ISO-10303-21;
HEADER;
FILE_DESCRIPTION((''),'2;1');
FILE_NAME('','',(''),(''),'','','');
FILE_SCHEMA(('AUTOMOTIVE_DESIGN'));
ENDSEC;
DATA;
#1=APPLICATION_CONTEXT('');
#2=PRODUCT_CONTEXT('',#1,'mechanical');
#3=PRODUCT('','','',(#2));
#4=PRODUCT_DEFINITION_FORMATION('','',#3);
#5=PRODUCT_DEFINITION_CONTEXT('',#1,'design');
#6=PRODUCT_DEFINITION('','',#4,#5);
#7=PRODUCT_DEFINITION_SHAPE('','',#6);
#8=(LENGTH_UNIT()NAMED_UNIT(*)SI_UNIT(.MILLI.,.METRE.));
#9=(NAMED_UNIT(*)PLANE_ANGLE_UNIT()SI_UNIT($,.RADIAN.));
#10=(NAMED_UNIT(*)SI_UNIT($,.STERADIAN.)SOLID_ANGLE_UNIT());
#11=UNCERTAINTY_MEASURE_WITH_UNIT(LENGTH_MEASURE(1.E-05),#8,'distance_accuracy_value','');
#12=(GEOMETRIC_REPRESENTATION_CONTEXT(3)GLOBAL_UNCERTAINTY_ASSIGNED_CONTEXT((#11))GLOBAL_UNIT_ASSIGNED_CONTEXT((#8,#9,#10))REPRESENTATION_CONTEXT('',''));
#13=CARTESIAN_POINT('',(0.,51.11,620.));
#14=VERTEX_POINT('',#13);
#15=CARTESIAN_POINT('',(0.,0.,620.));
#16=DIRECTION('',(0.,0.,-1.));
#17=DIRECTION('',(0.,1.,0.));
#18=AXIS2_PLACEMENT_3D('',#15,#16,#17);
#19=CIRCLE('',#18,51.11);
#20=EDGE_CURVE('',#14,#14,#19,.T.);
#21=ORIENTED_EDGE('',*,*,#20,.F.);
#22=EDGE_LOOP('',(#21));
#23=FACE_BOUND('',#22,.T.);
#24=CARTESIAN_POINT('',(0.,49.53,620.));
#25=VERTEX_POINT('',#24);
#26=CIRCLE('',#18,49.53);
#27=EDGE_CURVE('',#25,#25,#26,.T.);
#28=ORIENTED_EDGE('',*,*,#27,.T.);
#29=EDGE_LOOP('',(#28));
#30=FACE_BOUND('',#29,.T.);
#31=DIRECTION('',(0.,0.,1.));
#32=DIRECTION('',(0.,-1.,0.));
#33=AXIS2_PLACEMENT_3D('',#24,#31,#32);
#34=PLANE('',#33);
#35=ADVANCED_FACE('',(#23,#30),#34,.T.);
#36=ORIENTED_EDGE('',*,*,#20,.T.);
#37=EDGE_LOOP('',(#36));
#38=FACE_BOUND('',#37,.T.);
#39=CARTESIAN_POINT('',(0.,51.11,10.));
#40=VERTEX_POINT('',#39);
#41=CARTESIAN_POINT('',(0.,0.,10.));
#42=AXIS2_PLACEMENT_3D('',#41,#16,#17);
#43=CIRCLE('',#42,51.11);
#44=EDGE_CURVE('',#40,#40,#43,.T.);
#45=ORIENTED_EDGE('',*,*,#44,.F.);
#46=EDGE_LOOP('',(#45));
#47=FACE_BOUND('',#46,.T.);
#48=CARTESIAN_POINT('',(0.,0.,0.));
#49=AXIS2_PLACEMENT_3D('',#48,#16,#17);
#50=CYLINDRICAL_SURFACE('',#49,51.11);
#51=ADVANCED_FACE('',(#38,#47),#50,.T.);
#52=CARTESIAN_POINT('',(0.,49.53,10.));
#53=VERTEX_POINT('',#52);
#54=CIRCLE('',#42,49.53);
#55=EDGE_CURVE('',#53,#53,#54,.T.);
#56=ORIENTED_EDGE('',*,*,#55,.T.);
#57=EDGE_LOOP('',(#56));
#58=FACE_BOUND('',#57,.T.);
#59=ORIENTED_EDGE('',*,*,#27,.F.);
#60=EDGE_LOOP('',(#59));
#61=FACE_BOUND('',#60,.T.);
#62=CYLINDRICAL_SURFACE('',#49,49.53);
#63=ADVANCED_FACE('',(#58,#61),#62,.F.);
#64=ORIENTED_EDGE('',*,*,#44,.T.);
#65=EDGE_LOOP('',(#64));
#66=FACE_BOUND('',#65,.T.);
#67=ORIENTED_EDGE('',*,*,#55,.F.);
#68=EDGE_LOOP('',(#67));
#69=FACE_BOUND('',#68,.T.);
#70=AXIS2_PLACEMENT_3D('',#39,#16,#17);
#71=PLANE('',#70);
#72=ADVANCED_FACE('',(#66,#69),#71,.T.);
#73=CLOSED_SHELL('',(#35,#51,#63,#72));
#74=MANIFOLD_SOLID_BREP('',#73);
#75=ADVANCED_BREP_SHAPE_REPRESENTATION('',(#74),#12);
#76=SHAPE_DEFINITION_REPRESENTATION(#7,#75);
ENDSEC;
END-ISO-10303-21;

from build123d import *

# Parameters (mm, degrees)
ESQUISSE2_W = 610
ESQUISSE2_H = 1.58


with BuildPart() as part:
    # Esquisse2 → Révolution1 (revolve)
    with BuildSketch(Plane(origin=(0, 0, 0), x_dir=(0, 0, -1), z_dir=(1, 0, 0))):
        with Locations((-315, 50.32)):
            Rectangle(ESQUISSE2_W, ESQUISSE2_H)
    revolve(axis=Axis((0, 0, 0), (0, 0, 1)))


solid = part.part
